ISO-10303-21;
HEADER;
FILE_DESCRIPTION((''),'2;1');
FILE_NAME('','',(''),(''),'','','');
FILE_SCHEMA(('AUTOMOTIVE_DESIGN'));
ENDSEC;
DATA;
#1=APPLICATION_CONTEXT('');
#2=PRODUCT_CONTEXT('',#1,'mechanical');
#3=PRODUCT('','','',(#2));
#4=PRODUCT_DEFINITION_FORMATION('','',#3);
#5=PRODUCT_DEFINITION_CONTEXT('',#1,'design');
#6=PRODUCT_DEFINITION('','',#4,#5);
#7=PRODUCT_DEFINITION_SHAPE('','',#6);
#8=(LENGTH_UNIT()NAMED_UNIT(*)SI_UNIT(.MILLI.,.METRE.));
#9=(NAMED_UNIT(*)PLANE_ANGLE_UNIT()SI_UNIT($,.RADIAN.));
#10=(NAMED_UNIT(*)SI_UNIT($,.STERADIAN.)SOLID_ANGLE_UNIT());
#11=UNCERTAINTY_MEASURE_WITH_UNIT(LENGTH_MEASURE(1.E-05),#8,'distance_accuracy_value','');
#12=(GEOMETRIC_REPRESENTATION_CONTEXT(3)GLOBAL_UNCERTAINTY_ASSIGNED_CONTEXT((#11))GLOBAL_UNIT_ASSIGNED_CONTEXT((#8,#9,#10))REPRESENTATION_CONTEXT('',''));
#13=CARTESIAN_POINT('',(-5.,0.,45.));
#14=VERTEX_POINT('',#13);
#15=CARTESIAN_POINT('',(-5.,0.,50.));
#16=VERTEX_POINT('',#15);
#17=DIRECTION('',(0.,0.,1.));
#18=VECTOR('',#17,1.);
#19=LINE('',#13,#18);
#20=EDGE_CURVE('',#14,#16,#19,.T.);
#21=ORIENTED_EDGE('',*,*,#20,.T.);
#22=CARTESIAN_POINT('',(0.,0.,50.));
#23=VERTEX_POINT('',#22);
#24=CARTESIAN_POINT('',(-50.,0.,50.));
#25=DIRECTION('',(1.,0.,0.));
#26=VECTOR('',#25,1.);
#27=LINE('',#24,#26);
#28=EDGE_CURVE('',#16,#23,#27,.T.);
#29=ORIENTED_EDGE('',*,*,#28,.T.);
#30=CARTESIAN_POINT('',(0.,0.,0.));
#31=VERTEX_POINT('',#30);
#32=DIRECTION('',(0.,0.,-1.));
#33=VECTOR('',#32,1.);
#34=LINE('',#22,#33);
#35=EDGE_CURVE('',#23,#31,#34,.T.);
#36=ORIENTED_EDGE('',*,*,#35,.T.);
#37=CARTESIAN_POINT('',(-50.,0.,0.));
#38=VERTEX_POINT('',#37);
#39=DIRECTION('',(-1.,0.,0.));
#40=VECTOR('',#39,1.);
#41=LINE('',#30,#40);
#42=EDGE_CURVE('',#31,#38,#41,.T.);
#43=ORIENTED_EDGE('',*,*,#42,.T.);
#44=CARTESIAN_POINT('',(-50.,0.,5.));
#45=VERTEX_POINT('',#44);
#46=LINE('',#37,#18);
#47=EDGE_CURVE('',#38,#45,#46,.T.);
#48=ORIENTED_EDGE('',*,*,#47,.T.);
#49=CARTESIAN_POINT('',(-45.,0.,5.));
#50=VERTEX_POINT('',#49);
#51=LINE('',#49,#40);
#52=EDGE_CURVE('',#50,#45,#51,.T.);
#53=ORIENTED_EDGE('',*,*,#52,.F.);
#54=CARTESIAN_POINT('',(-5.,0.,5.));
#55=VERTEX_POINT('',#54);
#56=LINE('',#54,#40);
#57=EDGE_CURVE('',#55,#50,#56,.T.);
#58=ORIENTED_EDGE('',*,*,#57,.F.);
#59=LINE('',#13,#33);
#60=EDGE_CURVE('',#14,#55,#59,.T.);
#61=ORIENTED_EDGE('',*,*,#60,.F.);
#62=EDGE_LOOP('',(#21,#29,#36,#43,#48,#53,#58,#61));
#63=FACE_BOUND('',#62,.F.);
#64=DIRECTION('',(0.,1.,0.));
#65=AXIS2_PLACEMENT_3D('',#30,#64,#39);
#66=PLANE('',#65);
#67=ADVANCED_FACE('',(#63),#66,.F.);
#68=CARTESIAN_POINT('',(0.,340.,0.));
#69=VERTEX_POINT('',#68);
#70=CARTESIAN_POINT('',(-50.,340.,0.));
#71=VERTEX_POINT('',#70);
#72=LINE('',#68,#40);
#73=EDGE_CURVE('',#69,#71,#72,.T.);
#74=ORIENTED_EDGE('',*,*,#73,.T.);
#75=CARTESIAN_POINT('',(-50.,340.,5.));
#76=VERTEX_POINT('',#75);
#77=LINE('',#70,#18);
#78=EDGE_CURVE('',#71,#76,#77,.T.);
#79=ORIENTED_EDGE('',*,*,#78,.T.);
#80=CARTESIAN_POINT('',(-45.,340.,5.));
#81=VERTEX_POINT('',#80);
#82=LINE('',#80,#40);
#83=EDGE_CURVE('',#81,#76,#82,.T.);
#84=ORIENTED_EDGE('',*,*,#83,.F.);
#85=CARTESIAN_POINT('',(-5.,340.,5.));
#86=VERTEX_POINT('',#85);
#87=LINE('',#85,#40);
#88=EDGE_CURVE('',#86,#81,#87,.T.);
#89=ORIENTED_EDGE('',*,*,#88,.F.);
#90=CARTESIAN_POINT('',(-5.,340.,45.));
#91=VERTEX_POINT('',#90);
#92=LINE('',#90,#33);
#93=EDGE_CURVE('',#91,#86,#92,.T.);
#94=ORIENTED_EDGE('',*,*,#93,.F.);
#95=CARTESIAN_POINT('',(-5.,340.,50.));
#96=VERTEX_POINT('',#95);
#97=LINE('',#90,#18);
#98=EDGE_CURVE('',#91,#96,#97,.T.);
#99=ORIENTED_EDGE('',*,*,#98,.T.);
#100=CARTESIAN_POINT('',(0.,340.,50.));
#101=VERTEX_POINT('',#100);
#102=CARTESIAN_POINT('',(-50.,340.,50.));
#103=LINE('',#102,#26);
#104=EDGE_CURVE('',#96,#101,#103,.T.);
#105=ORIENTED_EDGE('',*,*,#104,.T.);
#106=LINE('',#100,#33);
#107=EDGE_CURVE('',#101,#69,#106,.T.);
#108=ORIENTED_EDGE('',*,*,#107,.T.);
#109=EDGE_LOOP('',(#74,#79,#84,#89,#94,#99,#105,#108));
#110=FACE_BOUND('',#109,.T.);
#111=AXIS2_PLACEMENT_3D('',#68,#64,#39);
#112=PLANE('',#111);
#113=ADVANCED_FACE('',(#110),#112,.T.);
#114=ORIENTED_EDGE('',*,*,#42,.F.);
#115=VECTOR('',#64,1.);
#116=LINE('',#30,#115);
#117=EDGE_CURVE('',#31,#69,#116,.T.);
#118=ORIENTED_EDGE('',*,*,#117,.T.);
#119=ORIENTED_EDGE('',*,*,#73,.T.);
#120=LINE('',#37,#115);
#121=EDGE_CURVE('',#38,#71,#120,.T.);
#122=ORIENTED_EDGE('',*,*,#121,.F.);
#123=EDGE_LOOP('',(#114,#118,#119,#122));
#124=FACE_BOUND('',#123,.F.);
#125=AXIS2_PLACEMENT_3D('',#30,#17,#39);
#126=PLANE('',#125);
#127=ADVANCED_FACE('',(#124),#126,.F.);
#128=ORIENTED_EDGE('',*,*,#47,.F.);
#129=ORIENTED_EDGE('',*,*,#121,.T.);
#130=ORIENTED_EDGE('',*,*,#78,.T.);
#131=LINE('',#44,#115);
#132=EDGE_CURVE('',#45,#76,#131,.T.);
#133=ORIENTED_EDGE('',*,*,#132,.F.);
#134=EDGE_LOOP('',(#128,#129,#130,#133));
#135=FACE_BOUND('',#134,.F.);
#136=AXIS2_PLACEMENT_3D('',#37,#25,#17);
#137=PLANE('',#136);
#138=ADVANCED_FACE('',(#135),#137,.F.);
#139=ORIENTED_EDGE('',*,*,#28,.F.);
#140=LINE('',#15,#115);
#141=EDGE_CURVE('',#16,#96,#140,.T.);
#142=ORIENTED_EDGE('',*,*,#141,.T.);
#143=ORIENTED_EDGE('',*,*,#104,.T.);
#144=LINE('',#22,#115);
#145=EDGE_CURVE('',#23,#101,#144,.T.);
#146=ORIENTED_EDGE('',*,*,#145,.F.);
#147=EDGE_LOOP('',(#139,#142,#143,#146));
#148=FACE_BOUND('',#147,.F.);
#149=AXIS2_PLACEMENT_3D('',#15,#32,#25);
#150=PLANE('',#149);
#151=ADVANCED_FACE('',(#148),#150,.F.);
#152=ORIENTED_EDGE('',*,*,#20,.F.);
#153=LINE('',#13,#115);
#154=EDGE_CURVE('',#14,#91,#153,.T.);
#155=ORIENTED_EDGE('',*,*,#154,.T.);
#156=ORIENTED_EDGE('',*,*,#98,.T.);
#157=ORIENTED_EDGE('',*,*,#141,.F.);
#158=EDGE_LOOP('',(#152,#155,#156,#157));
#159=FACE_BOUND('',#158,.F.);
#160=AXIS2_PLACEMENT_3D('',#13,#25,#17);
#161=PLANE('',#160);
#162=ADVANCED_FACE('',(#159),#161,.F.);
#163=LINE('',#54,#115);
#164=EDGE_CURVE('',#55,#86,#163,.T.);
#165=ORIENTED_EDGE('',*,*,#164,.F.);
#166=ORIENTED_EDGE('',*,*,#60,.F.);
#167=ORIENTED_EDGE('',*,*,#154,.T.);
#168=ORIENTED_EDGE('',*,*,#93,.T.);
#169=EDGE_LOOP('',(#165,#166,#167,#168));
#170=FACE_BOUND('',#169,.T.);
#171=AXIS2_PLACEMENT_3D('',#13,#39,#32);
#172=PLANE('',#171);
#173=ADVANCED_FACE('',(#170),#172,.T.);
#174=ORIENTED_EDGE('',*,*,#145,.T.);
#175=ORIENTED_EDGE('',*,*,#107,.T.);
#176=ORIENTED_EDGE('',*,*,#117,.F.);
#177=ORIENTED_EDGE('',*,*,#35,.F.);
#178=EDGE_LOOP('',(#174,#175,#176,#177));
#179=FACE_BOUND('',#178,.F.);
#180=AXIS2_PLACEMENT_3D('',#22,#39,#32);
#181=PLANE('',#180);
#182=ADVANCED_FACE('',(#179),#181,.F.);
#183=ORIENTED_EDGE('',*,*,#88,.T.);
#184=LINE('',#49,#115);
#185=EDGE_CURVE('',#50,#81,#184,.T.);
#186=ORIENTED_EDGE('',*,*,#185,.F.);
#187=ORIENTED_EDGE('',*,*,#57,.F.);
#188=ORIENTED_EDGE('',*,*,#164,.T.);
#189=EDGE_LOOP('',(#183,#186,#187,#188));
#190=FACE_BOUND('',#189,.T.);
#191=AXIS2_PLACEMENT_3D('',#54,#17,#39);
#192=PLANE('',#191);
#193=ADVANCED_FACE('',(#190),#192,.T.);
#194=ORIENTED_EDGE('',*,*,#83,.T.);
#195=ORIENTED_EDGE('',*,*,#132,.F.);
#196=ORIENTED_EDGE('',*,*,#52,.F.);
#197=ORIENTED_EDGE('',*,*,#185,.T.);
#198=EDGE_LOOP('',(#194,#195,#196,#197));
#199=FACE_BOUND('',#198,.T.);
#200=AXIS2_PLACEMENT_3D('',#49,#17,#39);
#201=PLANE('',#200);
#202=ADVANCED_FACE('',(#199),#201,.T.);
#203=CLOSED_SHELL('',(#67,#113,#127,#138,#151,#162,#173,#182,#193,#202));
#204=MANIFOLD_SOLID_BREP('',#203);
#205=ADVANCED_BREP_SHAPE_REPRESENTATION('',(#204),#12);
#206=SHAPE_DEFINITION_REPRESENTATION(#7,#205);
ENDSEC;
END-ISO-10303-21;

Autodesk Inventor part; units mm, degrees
ref_plane "YZ Plane" through (0, 0, 0) normal (1, 0, 0) x (0, 1, 0)
ref_plane "XZ Plane" through (0, 0, 0) normal (0, 1, 0) x (-1, 0, 0)
ref_plane "XY Plane" through (0, 0, 0) normal (0, 0, 1) x (1, 0, 0)
sketch "Sketch1" plane through (0, 0, 0) normal (0, 1, 0) x (-1, 0, 0)
  line L0 (50, 50) -> (0, 50)
  line L1 (0, 50) -> (0, 0)
  line L2 (0, 0) -> (50, 0)
  line L3 (50, 0) -> (50, 50)
  line L4 (45, 45) -> (5, 45)
  line L5 (5, 45) -> (5, 5)
  line L6 (5, 5) -> (45, 5)
  line L7 (45, 5) -> (45, 45)
  line L8 (45, 5) -> (50, 5)
  line L9 (5, 45) -> (5, 50)
  dimension "d0" = 50
  dimension "d1" = 50
  dimension "d2" = 5
extrude "Extrusion1" add sketch "Sketch1" along normal blind 340 contours L9 L5 L6 L8 L3 L2 L1 L0
properties part number "Ugolok"
